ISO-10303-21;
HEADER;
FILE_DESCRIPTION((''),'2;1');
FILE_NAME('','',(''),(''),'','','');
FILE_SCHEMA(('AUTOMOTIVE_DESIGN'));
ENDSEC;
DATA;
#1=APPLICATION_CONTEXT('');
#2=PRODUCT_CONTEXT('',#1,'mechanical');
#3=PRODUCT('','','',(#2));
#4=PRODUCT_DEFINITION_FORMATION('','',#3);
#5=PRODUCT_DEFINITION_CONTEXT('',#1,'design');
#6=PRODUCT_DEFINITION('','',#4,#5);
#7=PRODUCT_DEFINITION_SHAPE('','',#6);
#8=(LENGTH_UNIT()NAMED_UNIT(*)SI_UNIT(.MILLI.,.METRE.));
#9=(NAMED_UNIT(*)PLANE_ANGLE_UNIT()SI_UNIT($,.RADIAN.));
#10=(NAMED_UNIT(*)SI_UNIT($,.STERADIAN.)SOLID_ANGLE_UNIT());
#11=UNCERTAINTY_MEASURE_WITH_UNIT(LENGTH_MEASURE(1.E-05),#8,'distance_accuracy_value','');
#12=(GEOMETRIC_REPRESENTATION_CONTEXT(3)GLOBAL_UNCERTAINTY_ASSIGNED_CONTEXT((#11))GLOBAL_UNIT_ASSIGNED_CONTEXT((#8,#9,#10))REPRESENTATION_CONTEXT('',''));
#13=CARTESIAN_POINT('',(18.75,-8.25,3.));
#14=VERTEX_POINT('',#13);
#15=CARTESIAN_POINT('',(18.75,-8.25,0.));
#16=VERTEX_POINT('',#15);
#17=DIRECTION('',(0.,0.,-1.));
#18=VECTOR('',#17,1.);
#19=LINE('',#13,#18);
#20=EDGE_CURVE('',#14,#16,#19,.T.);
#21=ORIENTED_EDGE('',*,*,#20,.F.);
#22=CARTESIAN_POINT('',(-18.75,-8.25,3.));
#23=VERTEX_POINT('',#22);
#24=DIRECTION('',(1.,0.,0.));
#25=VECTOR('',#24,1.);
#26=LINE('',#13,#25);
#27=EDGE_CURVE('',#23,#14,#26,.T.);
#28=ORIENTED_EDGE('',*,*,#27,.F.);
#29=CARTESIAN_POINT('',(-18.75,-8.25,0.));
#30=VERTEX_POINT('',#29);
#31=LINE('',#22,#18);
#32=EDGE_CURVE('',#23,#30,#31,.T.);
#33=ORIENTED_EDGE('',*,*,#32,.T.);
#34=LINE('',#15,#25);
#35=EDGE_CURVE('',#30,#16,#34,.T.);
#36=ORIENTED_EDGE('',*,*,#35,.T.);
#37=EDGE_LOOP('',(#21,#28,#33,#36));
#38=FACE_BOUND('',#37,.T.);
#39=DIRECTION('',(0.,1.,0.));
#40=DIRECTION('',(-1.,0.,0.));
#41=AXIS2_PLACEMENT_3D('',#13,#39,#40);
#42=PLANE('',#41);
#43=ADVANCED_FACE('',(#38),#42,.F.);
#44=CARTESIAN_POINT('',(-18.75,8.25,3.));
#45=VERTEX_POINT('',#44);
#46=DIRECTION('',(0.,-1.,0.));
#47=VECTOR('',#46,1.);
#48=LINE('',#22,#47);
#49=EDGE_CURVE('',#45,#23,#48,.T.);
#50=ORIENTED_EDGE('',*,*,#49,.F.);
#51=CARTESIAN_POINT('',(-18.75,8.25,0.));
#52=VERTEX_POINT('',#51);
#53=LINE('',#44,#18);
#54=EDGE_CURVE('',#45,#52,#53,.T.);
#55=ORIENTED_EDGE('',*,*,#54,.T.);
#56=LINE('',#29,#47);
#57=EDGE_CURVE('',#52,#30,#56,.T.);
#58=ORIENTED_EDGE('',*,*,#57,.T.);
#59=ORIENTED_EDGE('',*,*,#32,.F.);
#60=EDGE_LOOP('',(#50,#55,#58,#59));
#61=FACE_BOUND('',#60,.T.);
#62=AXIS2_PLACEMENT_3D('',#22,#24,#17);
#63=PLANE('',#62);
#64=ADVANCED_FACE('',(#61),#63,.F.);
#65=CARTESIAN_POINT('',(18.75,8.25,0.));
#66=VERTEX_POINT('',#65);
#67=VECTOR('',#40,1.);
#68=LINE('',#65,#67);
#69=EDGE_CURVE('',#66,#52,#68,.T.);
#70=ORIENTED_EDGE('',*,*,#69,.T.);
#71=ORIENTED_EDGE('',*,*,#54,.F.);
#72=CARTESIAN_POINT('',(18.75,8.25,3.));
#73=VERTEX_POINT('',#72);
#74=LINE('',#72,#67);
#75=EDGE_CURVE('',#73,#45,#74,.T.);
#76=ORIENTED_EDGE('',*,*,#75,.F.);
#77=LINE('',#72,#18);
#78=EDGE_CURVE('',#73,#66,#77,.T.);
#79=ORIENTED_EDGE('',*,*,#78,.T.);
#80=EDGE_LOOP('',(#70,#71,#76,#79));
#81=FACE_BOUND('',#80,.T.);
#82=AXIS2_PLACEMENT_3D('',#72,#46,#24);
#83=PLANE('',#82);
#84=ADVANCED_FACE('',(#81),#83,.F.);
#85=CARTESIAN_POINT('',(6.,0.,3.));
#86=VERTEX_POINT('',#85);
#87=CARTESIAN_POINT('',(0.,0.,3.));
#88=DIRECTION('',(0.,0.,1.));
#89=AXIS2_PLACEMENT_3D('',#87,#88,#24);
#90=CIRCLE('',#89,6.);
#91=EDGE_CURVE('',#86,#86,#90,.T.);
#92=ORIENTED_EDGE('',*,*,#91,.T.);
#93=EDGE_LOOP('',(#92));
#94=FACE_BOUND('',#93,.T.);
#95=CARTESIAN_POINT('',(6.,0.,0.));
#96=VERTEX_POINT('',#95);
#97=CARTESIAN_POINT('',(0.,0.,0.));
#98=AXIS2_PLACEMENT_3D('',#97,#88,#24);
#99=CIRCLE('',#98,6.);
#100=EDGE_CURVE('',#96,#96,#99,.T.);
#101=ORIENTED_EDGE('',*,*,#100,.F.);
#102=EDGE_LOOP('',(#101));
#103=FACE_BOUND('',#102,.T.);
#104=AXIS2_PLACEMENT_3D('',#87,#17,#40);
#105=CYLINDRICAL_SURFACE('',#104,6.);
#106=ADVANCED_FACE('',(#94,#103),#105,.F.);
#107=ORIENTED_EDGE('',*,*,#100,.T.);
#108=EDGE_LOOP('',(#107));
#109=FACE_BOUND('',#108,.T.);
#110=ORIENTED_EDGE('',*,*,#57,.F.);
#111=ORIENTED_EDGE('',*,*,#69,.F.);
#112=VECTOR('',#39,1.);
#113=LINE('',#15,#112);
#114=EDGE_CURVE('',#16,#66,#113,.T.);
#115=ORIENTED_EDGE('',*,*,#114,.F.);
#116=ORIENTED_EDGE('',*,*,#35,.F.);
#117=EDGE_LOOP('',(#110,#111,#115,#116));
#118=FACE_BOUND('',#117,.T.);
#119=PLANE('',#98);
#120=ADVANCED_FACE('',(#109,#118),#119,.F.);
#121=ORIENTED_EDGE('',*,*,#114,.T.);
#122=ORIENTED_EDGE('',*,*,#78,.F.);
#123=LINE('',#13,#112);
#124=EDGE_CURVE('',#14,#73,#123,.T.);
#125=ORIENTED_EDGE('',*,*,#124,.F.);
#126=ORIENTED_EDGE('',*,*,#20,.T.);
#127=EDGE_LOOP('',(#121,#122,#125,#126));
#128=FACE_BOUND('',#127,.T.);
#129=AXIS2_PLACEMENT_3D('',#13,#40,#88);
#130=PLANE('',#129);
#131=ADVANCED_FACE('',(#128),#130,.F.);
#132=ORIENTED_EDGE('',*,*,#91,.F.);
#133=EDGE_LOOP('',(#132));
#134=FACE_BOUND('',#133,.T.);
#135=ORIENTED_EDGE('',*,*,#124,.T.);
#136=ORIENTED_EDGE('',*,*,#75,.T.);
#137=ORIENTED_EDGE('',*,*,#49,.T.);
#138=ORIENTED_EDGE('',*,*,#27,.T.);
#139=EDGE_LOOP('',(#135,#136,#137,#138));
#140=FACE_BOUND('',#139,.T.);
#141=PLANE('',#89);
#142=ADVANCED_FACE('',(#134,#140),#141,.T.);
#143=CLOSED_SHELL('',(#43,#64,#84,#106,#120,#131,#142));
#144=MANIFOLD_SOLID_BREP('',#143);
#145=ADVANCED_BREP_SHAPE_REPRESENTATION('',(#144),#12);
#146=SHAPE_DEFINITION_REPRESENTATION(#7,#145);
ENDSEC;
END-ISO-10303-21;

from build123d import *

# Parameters (mm, degrees)
SKETCH_1_W      = 37.5
SKETCH_1_H      = 16.5
SKETCH_1_R      = 6
EXTRUDE_1_DEPTH = 3


with BuildPart() as part:
    # 草图1 → 凸台-拉伸1 (new body)
    with BuildSketch(Plane.XY):
        Rectangle(SKETCH_1_W, SKETCH_1_H)
        Circle(SKETCH_1_R, mode=Mode.SUBTRACT)
    extrude(amount=EXTRUDE_1_DEPTH)


solid = part.part
